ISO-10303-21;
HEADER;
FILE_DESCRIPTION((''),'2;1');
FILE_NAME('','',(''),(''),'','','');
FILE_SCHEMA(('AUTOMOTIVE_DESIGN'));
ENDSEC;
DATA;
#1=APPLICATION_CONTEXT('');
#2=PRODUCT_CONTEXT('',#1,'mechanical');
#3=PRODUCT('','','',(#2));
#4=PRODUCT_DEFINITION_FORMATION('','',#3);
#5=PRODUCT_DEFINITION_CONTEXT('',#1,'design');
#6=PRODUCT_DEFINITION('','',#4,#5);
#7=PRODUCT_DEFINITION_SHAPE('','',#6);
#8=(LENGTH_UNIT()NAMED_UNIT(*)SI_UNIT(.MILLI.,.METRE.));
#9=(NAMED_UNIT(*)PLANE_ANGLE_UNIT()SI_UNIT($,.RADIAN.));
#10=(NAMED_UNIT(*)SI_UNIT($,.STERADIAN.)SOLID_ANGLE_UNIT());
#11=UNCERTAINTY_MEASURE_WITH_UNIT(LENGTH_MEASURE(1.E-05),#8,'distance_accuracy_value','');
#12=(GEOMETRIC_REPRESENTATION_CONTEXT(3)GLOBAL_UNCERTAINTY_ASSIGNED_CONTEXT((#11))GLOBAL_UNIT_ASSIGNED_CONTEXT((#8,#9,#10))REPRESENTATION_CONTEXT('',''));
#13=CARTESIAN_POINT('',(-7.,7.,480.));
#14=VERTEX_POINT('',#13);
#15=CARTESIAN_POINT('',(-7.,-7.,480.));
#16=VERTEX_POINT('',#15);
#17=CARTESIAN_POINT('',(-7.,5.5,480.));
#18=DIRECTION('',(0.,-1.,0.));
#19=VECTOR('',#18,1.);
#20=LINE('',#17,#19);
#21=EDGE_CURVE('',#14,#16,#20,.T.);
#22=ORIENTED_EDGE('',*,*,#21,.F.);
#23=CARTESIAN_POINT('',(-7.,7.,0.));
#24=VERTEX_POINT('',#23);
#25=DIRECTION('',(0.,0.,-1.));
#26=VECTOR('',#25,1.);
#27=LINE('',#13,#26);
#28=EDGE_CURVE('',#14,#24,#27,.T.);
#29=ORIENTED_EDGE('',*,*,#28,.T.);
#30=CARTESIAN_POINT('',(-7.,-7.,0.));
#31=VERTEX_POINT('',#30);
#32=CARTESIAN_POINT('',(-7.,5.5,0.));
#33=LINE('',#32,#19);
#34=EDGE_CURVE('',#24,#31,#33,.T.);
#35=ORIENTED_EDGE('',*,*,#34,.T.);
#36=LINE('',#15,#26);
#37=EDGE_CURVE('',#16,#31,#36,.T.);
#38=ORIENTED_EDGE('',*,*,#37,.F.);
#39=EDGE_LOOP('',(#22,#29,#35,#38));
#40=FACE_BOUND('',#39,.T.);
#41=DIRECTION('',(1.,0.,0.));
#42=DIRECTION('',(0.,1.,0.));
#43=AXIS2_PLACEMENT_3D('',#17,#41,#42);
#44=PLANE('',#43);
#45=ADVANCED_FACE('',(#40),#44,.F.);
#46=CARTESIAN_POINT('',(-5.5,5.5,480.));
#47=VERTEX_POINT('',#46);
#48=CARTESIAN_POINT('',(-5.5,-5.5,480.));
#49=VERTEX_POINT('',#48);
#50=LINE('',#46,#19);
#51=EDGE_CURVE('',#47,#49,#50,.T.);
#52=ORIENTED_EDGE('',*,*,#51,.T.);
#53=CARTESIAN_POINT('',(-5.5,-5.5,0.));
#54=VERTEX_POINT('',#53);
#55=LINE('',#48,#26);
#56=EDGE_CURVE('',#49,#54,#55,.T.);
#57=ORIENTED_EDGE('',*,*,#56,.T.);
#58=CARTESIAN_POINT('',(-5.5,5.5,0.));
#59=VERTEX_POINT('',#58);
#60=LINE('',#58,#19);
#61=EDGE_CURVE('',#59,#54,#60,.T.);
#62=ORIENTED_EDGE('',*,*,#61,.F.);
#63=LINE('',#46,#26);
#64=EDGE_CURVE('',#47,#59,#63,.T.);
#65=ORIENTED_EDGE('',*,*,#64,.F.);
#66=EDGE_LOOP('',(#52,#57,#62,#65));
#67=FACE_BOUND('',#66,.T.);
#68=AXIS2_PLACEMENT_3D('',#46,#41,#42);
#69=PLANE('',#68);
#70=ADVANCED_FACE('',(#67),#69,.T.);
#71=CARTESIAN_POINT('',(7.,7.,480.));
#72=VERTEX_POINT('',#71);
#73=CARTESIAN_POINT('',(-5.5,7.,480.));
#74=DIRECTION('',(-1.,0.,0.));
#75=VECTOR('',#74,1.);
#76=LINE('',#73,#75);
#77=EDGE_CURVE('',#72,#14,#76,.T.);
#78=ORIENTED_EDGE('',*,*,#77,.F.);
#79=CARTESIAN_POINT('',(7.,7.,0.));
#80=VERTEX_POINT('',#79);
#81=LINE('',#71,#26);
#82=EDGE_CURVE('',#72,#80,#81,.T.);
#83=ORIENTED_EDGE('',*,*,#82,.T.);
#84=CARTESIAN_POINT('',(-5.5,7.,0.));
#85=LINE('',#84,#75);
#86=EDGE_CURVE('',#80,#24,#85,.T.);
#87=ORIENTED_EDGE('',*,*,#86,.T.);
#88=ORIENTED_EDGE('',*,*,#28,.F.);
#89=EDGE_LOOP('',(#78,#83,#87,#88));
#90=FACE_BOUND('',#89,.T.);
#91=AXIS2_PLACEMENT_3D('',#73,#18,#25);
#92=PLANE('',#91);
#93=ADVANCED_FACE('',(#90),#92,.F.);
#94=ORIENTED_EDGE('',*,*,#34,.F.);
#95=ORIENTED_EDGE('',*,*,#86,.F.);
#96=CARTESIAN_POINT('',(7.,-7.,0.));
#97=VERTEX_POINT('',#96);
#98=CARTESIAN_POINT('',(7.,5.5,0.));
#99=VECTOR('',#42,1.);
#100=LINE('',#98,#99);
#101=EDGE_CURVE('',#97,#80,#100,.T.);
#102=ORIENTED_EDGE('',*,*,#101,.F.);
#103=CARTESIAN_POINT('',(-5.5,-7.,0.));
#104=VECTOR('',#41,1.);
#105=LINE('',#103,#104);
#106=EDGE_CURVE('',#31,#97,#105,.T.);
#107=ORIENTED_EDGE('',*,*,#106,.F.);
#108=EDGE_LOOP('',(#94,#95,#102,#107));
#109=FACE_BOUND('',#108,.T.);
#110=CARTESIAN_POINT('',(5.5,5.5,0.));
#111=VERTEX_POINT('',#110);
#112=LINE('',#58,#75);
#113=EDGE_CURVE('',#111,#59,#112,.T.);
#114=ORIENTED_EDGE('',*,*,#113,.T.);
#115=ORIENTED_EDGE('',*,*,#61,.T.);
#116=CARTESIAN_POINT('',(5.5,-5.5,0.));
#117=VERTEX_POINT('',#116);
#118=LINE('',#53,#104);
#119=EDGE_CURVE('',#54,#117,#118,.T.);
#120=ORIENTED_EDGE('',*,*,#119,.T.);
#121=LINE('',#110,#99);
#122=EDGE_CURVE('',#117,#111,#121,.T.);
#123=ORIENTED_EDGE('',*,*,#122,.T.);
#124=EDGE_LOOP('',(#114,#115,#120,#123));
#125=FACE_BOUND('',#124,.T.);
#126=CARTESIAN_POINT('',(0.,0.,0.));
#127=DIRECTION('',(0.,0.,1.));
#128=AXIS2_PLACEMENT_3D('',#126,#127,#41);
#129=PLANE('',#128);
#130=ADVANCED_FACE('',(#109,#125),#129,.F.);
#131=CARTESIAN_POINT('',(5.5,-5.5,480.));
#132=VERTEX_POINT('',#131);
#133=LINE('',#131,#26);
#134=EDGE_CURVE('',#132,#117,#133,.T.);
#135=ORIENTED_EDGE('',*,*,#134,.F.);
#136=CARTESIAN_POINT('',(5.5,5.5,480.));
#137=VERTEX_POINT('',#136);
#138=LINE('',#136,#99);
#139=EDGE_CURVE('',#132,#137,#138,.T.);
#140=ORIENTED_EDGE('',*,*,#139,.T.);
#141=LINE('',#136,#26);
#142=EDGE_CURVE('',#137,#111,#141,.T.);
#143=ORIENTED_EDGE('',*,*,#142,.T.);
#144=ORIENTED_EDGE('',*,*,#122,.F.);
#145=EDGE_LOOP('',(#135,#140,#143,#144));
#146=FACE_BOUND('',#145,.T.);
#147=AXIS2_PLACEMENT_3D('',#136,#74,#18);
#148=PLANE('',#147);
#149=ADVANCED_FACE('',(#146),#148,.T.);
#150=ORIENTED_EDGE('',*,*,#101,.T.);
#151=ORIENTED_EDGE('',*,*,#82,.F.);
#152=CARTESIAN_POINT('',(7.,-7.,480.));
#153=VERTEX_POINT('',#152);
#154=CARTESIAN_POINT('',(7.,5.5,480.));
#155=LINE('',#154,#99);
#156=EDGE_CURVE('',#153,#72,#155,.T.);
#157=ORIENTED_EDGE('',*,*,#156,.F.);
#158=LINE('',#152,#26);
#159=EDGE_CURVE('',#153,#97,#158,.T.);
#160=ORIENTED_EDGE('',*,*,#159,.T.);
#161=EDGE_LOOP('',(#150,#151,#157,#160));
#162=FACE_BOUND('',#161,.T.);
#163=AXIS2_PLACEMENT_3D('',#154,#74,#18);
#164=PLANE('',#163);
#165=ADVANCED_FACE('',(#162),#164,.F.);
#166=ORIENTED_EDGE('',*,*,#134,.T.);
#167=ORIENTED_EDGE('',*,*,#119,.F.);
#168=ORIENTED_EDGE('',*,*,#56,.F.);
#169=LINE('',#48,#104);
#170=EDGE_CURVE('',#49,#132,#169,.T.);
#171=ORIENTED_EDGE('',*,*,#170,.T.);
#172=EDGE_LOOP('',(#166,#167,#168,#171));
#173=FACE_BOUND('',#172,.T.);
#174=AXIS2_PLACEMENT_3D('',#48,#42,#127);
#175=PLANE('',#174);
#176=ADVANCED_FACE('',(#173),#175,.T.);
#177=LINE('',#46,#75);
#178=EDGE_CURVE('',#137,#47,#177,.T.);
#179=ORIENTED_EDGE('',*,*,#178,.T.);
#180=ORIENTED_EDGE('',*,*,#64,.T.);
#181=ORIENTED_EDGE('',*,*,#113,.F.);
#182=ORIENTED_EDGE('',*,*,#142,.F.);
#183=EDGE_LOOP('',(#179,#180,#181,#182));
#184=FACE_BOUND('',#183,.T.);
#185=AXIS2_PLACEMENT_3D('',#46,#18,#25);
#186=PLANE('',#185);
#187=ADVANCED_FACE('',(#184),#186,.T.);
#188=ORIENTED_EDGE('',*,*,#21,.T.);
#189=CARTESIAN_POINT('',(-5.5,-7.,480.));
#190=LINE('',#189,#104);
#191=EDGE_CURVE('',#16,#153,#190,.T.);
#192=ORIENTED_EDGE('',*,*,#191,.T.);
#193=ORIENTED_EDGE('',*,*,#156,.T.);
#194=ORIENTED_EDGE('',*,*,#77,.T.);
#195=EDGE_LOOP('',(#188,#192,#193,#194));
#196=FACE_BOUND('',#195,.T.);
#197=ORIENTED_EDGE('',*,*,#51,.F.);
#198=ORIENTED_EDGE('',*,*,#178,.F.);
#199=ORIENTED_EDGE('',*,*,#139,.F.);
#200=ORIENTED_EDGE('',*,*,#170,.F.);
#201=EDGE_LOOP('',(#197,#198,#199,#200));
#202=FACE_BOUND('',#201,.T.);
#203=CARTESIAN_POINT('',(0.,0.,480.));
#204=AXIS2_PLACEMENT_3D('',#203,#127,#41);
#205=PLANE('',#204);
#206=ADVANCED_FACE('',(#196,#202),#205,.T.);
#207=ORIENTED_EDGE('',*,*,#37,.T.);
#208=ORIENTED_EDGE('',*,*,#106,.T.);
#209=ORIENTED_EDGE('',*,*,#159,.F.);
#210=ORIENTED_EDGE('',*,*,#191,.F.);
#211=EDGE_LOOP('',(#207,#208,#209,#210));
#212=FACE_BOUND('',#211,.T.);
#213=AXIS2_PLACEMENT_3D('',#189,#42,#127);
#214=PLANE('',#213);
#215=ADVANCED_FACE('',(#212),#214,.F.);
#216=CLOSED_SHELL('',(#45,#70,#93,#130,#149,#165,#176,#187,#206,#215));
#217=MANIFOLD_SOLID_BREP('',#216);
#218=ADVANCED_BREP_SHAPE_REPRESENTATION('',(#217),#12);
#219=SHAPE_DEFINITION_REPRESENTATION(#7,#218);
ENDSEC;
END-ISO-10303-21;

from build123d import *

# Parameters (mm, degrees)
SKETCH_1_W      = 14
SKETCH_1_H      = 14
SKETCH_1_W_2    = 11
SKETCH_1_H_2    = 11
EXTRUDE_1_DEPTH = 480


with BuildPart() as part:
    # 草图1 → 拉伸-薄壁1 (new body)
    with BuildSketch(Plane.XY):
        Rectangle(SKETCH_1_W, SKETCH_1_H)
        Rectangle(SKETCH_1_W_2, SKETCH_1_H_2, mode=Mode.SUBTRACT)
    extrude(amount=EXTRUDE_1_DEPTH)


solid = part.part
